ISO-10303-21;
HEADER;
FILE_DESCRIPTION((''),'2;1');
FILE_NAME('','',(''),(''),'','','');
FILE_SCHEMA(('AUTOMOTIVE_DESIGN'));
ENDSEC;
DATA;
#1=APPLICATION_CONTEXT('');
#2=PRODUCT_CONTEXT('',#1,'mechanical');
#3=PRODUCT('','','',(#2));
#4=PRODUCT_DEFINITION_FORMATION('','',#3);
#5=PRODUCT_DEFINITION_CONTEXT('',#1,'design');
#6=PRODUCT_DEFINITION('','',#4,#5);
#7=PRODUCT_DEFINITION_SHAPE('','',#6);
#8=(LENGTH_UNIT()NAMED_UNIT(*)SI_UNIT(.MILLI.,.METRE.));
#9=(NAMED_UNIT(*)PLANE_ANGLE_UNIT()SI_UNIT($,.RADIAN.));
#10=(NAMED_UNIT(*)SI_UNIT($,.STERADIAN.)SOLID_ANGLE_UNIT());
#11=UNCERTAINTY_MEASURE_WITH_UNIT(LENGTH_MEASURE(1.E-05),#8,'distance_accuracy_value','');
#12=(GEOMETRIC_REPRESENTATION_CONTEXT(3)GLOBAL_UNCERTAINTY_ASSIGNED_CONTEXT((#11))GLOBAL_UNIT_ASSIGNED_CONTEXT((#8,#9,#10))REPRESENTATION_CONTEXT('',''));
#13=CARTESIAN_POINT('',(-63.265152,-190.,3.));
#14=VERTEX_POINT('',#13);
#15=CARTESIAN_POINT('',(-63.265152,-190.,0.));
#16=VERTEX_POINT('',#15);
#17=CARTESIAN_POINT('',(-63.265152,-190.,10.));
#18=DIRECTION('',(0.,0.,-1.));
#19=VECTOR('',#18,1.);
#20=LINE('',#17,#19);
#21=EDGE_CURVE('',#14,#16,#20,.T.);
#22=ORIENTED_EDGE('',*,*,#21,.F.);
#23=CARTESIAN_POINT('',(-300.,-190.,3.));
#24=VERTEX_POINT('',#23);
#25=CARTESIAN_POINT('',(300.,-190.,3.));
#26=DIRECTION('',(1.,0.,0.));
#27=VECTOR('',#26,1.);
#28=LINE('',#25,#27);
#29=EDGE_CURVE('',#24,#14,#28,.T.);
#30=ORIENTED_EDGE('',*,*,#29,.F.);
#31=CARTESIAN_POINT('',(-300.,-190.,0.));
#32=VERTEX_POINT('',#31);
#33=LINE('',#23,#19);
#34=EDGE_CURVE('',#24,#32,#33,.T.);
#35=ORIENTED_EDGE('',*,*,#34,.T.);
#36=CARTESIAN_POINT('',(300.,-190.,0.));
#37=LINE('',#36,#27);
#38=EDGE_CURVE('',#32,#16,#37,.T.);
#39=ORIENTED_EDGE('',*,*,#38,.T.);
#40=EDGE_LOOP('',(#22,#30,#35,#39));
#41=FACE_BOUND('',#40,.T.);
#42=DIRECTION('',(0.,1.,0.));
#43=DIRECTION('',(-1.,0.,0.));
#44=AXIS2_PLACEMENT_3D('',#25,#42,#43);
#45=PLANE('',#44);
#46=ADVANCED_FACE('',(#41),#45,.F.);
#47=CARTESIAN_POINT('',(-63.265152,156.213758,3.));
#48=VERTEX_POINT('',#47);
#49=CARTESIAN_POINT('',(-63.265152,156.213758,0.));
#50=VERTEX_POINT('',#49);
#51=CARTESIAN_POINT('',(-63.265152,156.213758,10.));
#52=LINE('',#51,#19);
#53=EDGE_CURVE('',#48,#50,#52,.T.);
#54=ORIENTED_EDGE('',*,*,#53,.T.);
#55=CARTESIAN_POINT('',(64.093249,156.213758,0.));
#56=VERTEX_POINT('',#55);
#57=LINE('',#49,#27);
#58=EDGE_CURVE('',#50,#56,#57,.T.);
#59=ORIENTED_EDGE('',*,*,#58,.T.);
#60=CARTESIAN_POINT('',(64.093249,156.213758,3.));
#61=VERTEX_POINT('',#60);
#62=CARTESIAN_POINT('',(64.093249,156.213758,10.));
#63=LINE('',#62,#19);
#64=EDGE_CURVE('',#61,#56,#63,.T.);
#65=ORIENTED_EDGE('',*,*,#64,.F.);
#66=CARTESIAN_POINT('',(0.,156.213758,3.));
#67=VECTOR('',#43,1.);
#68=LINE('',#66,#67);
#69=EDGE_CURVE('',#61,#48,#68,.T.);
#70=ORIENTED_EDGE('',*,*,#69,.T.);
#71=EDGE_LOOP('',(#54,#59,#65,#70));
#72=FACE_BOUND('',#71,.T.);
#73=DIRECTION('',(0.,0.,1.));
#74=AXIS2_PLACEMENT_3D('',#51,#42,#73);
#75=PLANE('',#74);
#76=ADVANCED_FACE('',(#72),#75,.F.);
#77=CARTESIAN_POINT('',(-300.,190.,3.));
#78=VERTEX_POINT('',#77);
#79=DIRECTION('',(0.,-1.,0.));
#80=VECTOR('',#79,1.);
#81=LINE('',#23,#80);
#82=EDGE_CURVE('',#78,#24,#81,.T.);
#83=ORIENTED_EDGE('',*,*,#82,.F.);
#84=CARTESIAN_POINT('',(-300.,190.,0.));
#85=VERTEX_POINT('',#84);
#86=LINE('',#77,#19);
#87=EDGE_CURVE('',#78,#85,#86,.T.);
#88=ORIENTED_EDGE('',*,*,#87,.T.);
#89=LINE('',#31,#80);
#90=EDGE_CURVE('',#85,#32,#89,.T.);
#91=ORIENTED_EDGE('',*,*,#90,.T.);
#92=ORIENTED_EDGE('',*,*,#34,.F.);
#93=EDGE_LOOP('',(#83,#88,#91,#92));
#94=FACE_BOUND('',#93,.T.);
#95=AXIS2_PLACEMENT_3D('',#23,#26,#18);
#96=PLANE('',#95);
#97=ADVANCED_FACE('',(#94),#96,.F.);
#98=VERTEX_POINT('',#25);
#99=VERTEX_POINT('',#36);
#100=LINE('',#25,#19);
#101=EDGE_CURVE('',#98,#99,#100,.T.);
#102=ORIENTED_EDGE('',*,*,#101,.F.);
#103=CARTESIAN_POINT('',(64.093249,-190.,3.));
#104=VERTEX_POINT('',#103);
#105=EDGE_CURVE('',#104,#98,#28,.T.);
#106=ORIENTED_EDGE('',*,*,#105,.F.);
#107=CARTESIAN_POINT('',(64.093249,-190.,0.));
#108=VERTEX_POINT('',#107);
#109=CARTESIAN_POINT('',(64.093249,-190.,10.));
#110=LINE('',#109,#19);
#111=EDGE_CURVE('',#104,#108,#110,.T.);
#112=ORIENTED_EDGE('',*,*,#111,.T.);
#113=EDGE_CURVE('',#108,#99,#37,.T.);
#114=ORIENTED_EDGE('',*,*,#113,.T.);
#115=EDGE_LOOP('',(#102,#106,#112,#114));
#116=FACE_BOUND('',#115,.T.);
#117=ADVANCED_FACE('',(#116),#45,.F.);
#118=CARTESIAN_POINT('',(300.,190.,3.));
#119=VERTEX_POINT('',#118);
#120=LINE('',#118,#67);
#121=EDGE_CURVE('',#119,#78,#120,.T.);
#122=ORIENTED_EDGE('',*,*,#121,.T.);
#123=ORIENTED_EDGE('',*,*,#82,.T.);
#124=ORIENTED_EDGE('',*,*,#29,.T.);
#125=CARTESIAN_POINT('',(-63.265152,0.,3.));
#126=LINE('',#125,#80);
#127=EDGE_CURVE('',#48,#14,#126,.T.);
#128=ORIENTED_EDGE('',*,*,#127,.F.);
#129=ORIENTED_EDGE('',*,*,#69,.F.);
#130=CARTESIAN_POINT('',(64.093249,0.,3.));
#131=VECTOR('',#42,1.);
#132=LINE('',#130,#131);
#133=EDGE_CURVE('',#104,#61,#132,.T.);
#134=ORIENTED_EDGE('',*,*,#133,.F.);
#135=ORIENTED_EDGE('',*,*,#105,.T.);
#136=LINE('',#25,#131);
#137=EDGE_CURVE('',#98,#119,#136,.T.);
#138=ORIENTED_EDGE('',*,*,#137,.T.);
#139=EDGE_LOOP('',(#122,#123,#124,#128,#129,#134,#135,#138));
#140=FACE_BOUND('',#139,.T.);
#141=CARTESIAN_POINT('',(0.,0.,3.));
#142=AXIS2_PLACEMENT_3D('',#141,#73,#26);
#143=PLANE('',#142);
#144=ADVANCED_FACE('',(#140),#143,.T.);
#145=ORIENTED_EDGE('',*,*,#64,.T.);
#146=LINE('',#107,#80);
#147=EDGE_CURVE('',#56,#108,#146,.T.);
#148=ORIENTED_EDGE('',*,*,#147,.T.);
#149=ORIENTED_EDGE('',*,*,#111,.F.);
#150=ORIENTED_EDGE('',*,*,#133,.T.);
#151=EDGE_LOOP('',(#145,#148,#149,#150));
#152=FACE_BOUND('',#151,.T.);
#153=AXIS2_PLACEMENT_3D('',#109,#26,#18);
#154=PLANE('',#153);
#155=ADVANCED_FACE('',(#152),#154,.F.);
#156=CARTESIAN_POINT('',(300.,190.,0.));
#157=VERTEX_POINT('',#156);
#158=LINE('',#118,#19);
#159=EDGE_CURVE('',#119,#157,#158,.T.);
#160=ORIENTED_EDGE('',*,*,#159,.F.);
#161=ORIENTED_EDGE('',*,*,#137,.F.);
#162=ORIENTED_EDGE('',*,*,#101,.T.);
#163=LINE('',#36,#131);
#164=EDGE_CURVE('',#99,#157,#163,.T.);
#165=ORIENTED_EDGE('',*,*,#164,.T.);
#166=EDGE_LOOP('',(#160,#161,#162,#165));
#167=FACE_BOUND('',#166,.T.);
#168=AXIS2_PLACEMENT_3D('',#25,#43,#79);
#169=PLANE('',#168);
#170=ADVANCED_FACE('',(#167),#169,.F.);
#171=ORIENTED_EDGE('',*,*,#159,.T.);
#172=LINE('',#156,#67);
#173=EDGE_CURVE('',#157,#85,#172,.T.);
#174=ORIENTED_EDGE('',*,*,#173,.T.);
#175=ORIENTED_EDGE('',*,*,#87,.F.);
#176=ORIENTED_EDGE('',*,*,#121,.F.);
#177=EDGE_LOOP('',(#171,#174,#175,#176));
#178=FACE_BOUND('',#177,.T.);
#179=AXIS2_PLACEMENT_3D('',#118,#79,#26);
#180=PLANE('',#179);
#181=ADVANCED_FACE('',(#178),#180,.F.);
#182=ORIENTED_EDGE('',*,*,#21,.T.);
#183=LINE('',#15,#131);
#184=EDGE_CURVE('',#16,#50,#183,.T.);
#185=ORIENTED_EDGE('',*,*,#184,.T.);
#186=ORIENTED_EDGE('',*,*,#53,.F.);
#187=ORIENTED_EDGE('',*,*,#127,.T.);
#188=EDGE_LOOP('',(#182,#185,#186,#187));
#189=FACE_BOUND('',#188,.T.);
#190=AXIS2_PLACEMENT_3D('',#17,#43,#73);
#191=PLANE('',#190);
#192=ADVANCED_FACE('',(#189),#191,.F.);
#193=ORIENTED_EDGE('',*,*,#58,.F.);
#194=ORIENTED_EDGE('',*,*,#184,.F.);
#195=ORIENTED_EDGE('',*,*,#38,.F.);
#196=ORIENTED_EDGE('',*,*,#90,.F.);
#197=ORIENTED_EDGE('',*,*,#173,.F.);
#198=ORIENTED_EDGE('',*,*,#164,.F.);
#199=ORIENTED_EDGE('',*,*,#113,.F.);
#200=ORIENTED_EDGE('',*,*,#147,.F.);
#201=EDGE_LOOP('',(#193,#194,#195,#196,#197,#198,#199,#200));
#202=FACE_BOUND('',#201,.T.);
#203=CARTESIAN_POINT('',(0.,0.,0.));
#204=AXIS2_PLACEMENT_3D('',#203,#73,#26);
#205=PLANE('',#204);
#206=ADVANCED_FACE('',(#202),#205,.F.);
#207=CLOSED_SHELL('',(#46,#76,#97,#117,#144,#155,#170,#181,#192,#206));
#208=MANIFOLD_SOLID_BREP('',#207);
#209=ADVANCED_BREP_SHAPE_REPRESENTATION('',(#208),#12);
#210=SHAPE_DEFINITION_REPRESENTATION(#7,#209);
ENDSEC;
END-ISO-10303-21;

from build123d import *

# Parameters (mm, degrees)
CROQUIS1_W              = 600
CROQUIS1_H              = 380
SALIENTE_EXTRUIR1_DEPTH = 3
CROQUIS2_W              = 127.358400795
CROQUIS2_H              = 346.213758298
CORTAR_EXTRUIR1_DEPTH   = 10


with BuildPart() as part:
    # Croquis1 → Saliente-Extruir1 (new body)
    with BuildSketch(Plane.XY):
        Rectangle(CROQUIS1_W, CROQUIS1_H)
    extrude(amount=SALIENTE_EXTRUIR1_DEPTH)

    # Croquis2 → Cortar-Extruir1 (cut)
    with BuildSketch(Plane(origin=(0, 0, 0), x_dir=(-1, 0, 0), z_dir=(0, 0, -1))):
        with Locations((-0.414048453, -16.893120851)):
            Rectangle(CROQUIS2_W, CROQUIS2_H)
    extrude(amount=-CORTAR_EXTRUIR1_DEPTH, mode=Mode.SUBTRACT)


solid = part.part
